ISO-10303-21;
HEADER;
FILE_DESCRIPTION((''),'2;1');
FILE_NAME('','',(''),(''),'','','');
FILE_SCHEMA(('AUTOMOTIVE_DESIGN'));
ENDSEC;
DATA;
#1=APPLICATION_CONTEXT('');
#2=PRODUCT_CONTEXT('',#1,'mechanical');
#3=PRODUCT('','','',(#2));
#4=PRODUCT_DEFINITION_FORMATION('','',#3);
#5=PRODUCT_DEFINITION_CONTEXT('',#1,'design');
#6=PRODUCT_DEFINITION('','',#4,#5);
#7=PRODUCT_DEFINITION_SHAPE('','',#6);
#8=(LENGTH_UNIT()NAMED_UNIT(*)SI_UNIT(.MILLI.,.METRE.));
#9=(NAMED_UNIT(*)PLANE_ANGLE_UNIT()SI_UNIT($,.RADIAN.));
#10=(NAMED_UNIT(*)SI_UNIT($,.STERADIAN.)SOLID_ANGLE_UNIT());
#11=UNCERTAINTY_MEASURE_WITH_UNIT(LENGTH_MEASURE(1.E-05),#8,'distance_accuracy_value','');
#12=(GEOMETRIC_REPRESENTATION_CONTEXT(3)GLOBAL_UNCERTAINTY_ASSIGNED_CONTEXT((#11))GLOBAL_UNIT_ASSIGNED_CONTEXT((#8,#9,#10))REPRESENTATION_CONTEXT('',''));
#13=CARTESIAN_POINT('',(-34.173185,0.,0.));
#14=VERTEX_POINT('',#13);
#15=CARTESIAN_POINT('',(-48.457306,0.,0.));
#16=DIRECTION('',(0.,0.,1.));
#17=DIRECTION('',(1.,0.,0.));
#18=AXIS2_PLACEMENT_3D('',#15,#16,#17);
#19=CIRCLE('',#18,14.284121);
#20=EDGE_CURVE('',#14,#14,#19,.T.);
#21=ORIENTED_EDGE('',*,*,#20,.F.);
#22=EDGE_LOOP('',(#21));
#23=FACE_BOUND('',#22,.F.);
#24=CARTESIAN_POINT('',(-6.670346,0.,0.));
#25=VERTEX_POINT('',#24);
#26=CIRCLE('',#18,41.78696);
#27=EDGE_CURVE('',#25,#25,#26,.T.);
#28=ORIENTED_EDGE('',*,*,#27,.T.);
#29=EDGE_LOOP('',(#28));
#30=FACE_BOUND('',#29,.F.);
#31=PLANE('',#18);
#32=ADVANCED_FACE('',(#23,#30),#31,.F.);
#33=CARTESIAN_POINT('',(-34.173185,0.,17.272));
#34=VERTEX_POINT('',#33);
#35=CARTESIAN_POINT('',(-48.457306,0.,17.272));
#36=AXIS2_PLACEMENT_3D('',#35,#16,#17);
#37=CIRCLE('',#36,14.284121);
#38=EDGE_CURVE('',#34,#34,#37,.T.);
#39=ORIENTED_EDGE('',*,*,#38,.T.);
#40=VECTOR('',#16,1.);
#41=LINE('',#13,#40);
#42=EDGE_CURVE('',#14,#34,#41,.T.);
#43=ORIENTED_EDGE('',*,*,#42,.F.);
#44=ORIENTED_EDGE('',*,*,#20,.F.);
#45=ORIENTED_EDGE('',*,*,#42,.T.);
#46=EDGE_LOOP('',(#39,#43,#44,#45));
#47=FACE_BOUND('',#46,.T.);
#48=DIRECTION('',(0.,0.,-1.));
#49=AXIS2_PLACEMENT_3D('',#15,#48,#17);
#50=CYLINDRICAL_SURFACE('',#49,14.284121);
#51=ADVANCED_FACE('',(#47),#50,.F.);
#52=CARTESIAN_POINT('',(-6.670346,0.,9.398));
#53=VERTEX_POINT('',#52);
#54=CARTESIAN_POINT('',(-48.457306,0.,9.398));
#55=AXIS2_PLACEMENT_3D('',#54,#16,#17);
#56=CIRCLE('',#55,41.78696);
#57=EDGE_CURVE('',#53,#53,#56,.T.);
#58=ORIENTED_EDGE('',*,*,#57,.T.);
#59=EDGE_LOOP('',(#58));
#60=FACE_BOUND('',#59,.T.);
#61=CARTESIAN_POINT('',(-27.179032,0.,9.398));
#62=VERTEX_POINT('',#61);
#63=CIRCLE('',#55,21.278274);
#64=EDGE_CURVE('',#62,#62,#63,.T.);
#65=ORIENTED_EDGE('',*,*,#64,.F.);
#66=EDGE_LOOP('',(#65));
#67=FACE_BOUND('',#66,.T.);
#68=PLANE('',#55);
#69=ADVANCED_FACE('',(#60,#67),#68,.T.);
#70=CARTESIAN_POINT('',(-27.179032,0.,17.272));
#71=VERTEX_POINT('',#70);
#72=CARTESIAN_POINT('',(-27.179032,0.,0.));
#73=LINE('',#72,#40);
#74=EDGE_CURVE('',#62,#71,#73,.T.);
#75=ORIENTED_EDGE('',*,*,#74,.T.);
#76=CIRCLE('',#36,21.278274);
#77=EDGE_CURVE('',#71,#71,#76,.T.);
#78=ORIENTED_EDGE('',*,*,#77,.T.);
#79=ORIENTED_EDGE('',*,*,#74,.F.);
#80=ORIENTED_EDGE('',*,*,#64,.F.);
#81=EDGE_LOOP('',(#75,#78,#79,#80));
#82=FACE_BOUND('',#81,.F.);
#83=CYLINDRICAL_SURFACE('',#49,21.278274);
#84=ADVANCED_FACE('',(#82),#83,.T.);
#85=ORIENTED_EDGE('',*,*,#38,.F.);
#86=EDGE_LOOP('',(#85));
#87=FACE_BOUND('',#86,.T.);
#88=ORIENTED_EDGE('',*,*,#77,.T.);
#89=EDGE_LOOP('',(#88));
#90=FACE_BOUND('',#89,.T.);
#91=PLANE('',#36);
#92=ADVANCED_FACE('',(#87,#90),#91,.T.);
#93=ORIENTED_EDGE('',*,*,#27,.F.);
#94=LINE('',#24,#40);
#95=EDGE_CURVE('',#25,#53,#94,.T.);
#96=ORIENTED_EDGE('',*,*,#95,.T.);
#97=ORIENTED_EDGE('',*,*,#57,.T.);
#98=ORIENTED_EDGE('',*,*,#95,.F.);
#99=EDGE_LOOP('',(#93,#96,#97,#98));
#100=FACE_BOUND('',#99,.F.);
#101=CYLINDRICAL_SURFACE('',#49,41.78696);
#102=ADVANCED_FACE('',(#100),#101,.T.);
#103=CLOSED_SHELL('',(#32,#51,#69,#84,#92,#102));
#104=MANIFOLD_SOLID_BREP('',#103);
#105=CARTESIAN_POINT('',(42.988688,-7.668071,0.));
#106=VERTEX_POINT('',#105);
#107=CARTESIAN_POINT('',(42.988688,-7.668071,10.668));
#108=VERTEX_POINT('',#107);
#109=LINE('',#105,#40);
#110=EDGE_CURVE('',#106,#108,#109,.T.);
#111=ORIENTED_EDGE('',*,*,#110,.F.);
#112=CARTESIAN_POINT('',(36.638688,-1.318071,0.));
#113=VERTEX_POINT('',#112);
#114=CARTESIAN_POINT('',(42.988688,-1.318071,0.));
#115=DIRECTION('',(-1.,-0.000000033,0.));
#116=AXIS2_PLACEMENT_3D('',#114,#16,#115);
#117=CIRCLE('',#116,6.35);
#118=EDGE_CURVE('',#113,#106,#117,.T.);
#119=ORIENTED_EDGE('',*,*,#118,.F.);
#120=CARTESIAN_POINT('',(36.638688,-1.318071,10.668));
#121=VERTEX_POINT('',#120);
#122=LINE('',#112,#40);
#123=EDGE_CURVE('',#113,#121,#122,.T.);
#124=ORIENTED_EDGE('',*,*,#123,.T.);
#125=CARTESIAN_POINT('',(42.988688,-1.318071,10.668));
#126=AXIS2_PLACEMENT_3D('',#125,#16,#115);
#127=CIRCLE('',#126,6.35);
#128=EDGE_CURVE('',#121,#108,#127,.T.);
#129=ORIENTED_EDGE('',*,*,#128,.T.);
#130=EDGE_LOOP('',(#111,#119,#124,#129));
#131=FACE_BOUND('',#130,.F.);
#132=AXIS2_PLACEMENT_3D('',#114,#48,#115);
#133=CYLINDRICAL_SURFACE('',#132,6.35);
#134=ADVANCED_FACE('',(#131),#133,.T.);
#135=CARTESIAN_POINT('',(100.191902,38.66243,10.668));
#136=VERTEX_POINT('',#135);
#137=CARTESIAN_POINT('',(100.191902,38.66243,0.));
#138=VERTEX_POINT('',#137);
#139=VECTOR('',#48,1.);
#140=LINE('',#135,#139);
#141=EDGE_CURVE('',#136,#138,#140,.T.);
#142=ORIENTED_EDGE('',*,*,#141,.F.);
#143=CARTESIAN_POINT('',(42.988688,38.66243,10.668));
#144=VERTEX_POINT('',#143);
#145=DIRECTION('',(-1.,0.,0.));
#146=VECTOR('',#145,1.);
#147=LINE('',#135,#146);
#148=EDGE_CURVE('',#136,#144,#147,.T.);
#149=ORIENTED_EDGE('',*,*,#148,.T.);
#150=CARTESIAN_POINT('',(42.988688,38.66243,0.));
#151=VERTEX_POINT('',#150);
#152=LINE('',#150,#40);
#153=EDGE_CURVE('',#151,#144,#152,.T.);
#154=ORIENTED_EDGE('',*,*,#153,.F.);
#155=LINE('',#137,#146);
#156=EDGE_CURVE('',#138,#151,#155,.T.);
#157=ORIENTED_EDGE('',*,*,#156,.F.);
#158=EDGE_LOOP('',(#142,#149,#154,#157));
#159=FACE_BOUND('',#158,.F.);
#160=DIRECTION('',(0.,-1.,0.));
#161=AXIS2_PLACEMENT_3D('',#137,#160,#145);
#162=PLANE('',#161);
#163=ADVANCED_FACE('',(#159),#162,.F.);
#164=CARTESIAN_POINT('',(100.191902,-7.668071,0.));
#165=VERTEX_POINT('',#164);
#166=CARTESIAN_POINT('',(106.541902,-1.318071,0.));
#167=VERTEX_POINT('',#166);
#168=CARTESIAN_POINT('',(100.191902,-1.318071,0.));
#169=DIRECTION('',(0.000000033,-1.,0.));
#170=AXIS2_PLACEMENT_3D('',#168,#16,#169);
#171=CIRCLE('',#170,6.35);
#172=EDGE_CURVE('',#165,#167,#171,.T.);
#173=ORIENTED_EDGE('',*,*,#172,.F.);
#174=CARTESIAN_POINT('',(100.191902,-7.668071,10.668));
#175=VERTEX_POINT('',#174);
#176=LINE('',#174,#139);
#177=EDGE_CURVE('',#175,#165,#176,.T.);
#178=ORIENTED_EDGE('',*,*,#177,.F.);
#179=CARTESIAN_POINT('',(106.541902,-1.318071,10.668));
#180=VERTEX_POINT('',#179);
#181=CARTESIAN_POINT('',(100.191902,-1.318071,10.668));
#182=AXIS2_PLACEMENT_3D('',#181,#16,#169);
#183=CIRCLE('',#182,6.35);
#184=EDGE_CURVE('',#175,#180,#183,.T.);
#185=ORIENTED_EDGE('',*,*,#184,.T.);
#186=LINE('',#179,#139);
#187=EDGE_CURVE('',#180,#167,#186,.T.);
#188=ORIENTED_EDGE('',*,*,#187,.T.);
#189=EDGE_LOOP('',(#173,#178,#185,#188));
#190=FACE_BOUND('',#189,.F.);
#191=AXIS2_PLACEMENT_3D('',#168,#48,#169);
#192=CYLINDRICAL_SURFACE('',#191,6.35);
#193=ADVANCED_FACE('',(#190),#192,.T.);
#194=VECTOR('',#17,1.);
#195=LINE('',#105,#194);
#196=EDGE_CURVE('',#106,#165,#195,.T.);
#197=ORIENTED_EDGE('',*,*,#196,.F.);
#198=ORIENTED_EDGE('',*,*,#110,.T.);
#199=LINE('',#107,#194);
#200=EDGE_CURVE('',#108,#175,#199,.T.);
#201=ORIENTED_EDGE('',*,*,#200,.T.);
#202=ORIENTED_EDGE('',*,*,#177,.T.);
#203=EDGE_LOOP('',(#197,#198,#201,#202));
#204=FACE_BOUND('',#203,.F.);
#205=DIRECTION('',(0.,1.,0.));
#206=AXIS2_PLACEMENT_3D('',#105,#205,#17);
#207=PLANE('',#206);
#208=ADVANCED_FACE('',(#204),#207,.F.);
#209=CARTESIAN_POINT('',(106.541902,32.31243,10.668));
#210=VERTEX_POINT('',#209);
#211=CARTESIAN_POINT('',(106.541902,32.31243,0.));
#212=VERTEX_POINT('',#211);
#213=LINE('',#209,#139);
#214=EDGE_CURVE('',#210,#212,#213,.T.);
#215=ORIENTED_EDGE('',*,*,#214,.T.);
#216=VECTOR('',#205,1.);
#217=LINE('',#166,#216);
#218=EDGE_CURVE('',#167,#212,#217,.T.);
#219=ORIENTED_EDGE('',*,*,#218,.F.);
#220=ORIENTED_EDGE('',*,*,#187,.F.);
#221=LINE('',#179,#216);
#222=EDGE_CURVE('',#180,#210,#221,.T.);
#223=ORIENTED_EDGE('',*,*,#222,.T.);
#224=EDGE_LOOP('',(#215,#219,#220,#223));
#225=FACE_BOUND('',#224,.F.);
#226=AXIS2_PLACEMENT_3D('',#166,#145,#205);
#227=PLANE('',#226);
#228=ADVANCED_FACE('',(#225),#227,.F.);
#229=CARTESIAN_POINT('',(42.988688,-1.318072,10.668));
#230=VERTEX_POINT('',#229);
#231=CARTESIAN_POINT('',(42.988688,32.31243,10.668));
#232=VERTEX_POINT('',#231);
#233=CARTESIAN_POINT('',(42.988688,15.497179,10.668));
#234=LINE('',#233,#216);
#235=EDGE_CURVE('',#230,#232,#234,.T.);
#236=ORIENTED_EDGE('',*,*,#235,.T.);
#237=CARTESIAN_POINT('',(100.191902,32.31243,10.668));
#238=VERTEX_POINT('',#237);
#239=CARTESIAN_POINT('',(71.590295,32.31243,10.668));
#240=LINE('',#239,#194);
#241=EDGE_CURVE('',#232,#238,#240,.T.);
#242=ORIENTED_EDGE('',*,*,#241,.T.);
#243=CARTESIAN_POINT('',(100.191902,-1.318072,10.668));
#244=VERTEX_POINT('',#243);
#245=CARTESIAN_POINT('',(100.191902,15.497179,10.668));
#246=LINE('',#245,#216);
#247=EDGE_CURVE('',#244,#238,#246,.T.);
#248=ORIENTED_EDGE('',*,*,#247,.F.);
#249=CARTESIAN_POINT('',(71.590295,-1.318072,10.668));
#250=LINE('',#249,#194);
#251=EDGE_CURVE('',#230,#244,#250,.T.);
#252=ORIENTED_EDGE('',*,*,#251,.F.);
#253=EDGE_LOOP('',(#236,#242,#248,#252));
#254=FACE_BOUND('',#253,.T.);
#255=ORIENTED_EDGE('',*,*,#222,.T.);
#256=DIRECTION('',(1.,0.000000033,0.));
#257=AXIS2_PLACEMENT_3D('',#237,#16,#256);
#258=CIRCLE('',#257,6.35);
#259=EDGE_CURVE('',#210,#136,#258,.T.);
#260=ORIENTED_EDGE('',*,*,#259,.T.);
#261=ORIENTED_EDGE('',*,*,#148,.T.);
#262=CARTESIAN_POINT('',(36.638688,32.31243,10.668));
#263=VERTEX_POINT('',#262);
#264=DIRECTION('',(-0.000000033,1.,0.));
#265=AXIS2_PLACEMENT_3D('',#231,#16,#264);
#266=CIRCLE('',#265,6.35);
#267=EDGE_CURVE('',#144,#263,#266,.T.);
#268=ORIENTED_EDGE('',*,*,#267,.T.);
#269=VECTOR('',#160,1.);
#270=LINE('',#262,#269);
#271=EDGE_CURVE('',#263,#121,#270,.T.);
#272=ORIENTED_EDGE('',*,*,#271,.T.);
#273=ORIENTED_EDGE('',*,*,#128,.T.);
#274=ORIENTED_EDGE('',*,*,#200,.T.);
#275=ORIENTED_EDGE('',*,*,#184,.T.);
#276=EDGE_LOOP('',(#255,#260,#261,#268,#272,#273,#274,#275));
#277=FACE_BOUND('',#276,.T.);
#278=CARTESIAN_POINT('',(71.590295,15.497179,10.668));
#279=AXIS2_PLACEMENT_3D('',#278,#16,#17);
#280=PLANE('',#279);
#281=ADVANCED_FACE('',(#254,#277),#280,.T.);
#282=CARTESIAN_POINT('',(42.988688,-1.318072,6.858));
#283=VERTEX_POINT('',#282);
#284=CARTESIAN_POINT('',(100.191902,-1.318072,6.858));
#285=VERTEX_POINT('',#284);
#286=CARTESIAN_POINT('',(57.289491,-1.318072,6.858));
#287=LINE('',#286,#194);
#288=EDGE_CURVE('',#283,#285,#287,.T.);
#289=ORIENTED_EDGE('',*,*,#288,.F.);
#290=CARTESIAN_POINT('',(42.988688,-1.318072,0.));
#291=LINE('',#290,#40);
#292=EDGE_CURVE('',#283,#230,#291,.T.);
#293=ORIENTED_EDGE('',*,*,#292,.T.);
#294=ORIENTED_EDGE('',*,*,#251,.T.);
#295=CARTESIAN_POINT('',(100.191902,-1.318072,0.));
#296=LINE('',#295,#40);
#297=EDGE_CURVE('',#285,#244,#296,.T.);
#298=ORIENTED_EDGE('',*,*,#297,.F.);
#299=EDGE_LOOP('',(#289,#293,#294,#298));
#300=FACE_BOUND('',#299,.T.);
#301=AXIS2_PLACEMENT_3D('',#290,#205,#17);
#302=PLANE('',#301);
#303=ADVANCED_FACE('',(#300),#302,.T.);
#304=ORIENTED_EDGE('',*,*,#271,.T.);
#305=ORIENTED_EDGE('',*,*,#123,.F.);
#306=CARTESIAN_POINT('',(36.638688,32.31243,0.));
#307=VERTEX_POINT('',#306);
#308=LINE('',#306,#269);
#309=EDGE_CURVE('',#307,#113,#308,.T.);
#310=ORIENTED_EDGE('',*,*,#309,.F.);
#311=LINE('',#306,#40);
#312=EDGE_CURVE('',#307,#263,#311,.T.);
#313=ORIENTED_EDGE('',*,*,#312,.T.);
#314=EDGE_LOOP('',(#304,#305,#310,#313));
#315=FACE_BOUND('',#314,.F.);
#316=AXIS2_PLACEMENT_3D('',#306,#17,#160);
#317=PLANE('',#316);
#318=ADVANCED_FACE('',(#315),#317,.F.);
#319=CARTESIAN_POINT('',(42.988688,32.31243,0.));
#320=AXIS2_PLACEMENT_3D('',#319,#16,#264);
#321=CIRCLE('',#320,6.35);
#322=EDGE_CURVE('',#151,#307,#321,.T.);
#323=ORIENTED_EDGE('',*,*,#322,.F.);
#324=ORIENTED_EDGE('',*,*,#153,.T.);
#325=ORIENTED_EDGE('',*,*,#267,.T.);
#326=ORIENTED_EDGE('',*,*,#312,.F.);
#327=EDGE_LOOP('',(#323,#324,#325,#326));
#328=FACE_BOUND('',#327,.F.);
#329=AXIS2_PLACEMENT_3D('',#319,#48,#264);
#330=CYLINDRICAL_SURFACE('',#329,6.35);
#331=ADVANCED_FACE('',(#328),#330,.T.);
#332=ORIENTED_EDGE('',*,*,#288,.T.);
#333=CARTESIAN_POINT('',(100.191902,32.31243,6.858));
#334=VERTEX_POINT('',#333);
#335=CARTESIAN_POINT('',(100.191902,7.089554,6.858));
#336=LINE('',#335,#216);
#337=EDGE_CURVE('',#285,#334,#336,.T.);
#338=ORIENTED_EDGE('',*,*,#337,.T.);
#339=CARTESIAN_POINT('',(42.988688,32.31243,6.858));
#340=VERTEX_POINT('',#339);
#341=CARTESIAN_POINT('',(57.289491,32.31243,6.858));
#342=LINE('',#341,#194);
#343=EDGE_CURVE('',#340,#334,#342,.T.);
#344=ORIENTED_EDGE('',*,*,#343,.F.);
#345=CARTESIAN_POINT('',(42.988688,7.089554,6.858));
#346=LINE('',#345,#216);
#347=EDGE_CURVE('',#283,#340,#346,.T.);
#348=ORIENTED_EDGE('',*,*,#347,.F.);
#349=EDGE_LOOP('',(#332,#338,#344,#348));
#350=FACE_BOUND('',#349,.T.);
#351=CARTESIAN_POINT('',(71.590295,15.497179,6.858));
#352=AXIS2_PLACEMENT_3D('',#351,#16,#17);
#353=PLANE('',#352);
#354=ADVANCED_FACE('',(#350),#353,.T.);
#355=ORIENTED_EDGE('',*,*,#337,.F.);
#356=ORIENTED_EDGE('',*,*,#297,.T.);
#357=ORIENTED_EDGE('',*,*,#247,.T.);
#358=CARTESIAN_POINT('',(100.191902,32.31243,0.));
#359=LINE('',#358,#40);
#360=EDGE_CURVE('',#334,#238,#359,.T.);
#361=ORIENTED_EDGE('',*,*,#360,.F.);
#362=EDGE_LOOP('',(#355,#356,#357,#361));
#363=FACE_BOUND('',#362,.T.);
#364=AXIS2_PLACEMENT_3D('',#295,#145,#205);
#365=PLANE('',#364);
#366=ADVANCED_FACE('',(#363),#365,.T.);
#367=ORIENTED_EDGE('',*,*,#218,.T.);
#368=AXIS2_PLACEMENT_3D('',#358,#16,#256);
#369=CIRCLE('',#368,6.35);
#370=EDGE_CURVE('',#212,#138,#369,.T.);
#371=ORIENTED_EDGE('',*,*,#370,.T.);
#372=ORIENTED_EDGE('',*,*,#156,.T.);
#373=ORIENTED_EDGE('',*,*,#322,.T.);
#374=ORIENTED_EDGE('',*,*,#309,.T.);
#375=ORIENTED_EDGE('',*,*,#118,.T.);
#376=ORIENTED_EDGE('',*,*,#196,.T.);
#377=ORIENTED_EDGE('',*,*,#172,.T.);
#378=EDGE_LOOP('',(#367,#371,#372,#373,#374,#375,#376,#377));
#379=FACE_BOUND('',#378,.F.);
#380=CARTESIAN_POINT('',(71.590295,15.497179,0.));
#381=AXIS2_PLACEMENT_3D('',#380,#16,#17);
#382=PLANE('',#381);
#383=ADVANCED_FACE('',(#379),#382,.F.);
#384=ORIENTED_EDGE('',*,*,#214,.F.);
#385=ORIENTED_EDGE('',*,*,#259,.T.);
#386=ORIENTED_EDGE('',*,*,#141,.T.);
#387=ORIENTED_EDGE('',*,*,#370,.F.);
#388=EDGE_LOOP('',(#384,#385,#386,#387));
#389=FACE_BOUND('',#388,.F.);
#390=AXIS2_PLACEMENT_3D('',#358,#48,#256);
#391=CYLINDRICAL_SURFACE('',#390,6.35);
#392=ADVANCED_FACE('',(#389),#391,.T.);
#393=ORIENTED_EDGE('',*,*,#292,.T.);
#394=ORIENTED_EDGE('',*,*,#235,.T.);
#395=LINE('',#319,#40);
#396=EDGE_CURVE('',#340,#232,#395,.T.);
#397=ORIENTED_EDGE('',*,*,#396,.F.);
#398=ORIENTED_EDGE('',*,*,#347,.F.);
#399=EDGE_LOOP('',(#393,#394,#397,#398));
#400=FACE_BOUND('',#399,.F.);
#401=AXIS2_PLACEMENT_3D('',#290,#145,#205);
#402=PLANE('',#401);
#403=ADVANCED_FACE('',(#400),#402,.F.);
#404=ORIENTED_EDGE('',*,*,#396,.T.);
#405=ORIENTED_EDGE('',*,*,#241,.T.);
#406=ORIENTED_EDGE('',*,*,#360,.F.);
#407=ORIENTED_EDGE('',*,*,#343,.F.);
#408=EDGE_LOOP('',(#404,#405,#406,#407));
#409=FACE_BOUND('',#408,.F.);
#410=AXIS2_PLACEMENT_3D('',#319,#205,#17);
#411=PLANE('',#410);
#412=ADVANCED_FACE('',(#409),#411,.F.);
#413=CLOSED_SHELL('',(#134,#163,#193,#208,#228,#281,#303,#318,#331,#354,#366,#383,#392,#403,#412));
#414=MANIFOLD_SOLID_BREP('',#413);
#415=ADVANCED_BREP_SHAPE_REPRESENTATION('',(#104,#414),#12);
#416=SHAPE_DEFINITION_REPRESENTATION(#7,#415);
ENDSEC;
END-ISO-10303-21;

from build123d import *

# Parameters (mm, degrees)
F0_R     = 41.78696
F0_R_2   = 21.278274
F1_DEPTH = 9.398
F0_R_3   = 14.284121
F2_DEPTH = 17.272
F3_W     = 57.203214
F3_H     = 33.630501
F4_DEPTH = 10.668
F5_DEPTH = 6.858


with BuildPart() as f1:
    # F0 (on Top) → F1 (new body)
    with BuildSketch(Plane.XY):
        with Locations((-48.457306, 0)):
            Circle(F0_R)
        with Locations((-48.457306, 0)):
            Circle(F0_R_2, mode=Mode.SUBTRACT)
    extrude(amount=F1_DEPTH)

    # F0 (on Top) → F2 (join)
    with BuildSketch(Plane.XY):
        with Locations((-48.457306, 0)):
            Circle(F0_R_2)
        with Locations((-48.457306, 0)):
            Circle(F0_R_3, mode=Mode.SUBTRACT)
    extrude(amount=F2_DEPTH)


with BuildPart() as f4:
    # F3 (on Top) → F4 (new body)
    with BuildSketch(Plane.XY):
        with BuildLine():
            Line((100.191902, 38.66243), (42.988688, 38.66243))
            ThreePointArc((42.988688, 38.66243), (38.49856, 36.802558), (36.638688, 32.31243))
            Line((36.638688, 32.31243), (36.638688, -1.318071))
            ThreePointArc((36.638688, -1.318071), (38.49856, -5.808199), (42.988688, -7.668071))
            Line((42.988688, -7.668071), (100.191902, -7.668071))
            ThreePointArc((100.191902, -7.668071), (104.68203, -5.808199), (106.541902, -1.318071))
            Line((106.541902, -1.318071), (106.541902, 32.31243))
            ThreePointArc((106.541902, 32.31243), (104.68203, 36.802558), (100.191902, 38.66243))
        make_face()
        with Locations((71.590295, 15.497179)):
            Rectangle(F3_W, F3_H, mode=Mode.SUBTRACT)
    extrude(amount=F4_DEPTH)

    # F3 (on Top) → F5 (join)
    with BuildSketch(Plane.XY):
        with BuildLine():
            Line((100.191902, 38.66243), (42.988688, 38.66243))
            ThreePointArc((42.988688, 38.66243), (38.49856, 36.802558), (36.638688, 32.31243))
            Line((36.638688, 32.31243), (36.638688, -1.318071))
            ThreePointArc((36.638688, -1.318071), (38.49856, -5.808199), (42.988688, -7.668071))
            Line((42.988688, -7.668071), (100.191902, -7.668071))
            ThreePointArc((100.191902, -7.668071), (104.68203, -5.808199), (106.541902, -1.318071))
            Line((106.541902, -1.318071), (106.541902, 32.31243))
            ThreePointArc((106.541902, 32.31243), (104.68203, 36.802558), (100.191902, 38.66243))
        make_face()
        with Locations((71.590295, 15.497179)):
            Rectangle(F3_W, F3_H, mode=Mode.SUBTRACT)
        with Locations((71.590295, 15.497179)):
            Rectangle(F3_W, F3_H)
    extrude(amount=F5_DEPTH)


solid = Compound([f1.part, f4.part])
